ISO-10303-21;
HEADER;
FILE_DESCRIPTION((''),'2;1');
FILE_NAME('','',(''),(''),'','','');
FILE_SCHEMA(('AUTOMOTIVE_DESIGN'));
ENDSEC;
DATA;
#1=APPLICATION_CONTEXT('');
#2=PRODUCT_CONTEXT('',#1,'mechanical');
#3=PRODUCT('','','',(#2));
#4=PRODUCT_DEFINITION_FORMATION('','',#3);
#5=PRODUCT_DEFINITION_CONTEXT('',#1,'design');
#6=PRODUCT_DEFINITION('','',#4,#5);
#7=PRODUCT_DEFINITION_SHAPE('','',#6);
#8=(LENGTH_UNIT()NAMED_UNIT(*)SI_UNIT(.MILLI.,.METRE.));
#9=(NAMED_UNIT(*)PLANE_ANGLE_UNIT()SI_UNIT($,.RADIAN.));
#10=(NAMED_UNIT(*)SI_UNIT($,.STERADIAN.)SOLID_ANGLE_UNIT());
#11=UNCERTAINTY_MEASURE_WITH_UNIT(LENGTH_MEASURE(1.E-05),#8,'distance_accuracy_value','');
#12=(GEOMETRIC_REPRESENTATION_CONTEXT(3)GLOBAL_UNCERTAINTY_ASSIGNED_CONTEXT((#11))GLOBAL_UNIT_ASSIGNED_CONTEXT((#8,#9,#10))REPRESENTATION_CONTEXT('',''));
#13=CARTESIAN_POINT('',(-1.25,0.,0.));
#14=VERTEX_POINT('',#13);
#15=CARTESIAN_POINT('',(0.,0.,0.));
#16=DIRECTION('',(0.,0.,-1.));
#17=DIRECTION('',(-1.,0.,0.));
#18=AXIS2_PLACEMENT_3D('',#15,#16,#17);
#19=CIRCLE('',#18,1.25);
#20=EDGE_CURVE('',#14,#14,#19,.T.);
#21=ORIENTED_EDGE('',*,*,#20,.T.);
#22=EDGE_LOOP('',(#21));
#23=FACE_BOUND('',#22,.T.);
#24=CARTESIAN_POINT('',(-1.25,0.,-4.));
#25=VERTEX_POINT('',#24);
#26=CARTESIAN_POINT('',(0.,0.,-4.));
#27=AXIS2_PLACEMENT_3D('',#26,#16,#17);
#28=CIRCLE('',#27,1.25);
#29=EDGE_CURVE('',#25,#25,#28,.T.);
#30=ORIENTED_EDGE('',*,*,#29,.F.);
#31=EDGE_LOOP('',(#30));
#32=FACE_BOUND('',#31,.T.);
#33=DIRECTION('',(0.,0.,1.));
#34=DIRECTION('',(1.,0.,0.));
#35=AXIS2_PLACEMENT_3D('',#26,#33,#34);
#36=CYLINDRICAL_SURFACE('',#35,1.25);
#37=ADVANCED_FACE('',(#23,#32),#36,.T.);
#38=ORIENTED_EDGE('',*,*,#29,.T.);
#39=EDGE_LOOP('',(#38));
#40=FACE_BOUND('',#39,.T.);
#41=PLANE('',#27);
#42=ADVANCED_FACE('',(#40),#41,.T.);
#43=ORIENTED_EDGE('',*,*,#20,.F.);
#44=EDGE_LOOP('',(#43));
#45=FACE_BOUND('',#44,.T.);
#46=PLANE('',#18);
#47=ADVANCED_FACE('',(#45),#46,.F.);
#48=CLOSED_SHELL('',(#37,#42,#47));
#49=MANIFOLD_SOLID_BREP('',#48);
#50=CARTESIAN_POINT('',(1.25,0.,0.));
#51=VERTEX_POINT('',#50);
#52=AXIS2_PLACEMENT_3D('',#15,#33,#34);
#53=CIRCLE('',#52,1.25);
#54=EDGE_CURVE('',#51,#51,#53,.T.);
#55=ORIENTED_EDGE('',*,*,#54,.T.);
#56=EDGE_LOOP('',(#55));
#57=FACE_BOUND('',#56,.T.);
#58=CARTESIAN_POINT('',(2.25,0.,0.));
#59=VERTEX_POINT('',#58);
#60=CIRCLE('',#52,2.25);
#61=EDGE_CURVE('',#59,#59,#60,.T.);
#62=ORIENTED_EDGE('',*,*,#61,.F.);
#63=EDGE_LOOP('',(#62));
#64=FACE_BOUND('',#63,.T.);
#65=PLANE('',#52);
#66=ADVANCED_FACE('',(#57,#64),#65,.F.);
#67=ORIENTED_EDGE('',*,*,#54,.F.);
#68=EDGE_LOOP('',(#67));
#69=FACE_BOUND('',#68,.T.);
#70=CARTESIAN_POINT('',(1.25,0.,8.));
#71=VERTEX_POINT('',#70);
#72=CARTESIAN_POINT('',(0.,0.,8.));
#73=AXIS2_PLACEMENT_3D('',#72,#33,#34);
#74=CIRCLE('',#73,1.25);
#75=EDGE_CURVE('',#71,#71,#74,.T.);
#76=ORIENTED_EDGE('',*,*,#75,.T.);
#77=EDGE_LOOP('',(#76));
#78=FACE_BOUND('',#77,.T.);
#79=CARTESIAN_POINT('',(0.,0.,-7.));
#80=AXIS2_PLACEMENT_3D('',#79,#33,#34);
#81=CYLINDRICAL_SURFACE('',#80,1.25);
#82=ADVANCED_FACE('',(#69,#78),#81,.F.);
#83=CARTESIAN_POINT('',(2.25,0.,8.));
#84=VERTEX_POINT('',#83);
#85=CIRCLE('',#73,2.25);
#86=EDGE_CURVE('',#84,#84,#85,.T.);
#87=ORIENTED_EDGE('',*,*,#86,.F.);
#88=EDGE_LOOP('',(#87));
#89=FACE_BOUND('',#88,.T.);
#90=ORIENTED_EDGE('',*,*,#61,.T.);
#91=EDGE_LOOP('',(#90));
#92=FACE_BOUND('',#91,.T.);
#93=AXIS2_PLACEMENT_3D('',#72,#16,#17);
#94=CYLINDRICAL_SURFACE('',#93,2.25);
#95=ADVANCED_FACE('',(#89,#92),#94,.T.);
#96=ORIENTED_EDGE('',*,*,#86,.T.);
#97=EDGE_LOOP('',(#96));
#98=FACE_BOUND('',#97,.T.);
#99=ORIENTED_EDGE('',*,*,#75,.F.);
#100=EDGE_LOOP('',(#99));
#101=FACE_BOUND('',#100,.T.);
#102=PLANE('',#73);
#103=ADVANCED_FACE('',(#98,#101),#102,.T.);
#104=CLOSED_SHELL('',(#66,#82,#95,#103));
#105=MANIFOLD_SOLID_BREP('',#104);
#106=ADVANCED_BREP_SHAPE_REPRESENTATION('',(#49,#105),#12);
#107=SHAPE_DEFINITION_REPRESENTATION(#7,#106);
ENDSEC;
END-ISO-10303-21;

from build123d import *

# Parameters (mm, degrees)
SKETCH_1_R          = 2.25
EXTRUDE_1_DEPTH     = 8
SKETCH_2_R          = 1.25
CUT_EXTRUDE_1_DEPTH = 15
SKETCH_3_R          = 1.25
EXTRUDE_2_DEPTH     = 4


with BuildPart() as part:
    # 草图1 → 凸台-拉伸1 (new body)
    with BuildSketch(Plane.XY):
        Circle(SKETCH_1_R)
    extrude(amount=EXTRUDE_1_DEPTH)

    # 草图2 → 切除-拉伸1 (cut)
    with BuildSketch(Plane.XY.offset(8)):
        Circle(SKETCH_2_R)
    extrude(amount=-CUT_EXTRUDE_1_DEPTH, mode=Mode.SUBTRACT)


with BuildPart() as body_2:
    # 草图3 → 凸台-拉伸2 (new body)
    with BuildSketch(Plane(origin=(0, 0, 0), x_dir=(-1, 0, 0), z_dir=(0, 0, -1))):
        Circle(SKETCH_3_R)
    extrude(amount=EXTRUDE_2_DEPTH)


solid = Compound([part.part, body_2.part])
